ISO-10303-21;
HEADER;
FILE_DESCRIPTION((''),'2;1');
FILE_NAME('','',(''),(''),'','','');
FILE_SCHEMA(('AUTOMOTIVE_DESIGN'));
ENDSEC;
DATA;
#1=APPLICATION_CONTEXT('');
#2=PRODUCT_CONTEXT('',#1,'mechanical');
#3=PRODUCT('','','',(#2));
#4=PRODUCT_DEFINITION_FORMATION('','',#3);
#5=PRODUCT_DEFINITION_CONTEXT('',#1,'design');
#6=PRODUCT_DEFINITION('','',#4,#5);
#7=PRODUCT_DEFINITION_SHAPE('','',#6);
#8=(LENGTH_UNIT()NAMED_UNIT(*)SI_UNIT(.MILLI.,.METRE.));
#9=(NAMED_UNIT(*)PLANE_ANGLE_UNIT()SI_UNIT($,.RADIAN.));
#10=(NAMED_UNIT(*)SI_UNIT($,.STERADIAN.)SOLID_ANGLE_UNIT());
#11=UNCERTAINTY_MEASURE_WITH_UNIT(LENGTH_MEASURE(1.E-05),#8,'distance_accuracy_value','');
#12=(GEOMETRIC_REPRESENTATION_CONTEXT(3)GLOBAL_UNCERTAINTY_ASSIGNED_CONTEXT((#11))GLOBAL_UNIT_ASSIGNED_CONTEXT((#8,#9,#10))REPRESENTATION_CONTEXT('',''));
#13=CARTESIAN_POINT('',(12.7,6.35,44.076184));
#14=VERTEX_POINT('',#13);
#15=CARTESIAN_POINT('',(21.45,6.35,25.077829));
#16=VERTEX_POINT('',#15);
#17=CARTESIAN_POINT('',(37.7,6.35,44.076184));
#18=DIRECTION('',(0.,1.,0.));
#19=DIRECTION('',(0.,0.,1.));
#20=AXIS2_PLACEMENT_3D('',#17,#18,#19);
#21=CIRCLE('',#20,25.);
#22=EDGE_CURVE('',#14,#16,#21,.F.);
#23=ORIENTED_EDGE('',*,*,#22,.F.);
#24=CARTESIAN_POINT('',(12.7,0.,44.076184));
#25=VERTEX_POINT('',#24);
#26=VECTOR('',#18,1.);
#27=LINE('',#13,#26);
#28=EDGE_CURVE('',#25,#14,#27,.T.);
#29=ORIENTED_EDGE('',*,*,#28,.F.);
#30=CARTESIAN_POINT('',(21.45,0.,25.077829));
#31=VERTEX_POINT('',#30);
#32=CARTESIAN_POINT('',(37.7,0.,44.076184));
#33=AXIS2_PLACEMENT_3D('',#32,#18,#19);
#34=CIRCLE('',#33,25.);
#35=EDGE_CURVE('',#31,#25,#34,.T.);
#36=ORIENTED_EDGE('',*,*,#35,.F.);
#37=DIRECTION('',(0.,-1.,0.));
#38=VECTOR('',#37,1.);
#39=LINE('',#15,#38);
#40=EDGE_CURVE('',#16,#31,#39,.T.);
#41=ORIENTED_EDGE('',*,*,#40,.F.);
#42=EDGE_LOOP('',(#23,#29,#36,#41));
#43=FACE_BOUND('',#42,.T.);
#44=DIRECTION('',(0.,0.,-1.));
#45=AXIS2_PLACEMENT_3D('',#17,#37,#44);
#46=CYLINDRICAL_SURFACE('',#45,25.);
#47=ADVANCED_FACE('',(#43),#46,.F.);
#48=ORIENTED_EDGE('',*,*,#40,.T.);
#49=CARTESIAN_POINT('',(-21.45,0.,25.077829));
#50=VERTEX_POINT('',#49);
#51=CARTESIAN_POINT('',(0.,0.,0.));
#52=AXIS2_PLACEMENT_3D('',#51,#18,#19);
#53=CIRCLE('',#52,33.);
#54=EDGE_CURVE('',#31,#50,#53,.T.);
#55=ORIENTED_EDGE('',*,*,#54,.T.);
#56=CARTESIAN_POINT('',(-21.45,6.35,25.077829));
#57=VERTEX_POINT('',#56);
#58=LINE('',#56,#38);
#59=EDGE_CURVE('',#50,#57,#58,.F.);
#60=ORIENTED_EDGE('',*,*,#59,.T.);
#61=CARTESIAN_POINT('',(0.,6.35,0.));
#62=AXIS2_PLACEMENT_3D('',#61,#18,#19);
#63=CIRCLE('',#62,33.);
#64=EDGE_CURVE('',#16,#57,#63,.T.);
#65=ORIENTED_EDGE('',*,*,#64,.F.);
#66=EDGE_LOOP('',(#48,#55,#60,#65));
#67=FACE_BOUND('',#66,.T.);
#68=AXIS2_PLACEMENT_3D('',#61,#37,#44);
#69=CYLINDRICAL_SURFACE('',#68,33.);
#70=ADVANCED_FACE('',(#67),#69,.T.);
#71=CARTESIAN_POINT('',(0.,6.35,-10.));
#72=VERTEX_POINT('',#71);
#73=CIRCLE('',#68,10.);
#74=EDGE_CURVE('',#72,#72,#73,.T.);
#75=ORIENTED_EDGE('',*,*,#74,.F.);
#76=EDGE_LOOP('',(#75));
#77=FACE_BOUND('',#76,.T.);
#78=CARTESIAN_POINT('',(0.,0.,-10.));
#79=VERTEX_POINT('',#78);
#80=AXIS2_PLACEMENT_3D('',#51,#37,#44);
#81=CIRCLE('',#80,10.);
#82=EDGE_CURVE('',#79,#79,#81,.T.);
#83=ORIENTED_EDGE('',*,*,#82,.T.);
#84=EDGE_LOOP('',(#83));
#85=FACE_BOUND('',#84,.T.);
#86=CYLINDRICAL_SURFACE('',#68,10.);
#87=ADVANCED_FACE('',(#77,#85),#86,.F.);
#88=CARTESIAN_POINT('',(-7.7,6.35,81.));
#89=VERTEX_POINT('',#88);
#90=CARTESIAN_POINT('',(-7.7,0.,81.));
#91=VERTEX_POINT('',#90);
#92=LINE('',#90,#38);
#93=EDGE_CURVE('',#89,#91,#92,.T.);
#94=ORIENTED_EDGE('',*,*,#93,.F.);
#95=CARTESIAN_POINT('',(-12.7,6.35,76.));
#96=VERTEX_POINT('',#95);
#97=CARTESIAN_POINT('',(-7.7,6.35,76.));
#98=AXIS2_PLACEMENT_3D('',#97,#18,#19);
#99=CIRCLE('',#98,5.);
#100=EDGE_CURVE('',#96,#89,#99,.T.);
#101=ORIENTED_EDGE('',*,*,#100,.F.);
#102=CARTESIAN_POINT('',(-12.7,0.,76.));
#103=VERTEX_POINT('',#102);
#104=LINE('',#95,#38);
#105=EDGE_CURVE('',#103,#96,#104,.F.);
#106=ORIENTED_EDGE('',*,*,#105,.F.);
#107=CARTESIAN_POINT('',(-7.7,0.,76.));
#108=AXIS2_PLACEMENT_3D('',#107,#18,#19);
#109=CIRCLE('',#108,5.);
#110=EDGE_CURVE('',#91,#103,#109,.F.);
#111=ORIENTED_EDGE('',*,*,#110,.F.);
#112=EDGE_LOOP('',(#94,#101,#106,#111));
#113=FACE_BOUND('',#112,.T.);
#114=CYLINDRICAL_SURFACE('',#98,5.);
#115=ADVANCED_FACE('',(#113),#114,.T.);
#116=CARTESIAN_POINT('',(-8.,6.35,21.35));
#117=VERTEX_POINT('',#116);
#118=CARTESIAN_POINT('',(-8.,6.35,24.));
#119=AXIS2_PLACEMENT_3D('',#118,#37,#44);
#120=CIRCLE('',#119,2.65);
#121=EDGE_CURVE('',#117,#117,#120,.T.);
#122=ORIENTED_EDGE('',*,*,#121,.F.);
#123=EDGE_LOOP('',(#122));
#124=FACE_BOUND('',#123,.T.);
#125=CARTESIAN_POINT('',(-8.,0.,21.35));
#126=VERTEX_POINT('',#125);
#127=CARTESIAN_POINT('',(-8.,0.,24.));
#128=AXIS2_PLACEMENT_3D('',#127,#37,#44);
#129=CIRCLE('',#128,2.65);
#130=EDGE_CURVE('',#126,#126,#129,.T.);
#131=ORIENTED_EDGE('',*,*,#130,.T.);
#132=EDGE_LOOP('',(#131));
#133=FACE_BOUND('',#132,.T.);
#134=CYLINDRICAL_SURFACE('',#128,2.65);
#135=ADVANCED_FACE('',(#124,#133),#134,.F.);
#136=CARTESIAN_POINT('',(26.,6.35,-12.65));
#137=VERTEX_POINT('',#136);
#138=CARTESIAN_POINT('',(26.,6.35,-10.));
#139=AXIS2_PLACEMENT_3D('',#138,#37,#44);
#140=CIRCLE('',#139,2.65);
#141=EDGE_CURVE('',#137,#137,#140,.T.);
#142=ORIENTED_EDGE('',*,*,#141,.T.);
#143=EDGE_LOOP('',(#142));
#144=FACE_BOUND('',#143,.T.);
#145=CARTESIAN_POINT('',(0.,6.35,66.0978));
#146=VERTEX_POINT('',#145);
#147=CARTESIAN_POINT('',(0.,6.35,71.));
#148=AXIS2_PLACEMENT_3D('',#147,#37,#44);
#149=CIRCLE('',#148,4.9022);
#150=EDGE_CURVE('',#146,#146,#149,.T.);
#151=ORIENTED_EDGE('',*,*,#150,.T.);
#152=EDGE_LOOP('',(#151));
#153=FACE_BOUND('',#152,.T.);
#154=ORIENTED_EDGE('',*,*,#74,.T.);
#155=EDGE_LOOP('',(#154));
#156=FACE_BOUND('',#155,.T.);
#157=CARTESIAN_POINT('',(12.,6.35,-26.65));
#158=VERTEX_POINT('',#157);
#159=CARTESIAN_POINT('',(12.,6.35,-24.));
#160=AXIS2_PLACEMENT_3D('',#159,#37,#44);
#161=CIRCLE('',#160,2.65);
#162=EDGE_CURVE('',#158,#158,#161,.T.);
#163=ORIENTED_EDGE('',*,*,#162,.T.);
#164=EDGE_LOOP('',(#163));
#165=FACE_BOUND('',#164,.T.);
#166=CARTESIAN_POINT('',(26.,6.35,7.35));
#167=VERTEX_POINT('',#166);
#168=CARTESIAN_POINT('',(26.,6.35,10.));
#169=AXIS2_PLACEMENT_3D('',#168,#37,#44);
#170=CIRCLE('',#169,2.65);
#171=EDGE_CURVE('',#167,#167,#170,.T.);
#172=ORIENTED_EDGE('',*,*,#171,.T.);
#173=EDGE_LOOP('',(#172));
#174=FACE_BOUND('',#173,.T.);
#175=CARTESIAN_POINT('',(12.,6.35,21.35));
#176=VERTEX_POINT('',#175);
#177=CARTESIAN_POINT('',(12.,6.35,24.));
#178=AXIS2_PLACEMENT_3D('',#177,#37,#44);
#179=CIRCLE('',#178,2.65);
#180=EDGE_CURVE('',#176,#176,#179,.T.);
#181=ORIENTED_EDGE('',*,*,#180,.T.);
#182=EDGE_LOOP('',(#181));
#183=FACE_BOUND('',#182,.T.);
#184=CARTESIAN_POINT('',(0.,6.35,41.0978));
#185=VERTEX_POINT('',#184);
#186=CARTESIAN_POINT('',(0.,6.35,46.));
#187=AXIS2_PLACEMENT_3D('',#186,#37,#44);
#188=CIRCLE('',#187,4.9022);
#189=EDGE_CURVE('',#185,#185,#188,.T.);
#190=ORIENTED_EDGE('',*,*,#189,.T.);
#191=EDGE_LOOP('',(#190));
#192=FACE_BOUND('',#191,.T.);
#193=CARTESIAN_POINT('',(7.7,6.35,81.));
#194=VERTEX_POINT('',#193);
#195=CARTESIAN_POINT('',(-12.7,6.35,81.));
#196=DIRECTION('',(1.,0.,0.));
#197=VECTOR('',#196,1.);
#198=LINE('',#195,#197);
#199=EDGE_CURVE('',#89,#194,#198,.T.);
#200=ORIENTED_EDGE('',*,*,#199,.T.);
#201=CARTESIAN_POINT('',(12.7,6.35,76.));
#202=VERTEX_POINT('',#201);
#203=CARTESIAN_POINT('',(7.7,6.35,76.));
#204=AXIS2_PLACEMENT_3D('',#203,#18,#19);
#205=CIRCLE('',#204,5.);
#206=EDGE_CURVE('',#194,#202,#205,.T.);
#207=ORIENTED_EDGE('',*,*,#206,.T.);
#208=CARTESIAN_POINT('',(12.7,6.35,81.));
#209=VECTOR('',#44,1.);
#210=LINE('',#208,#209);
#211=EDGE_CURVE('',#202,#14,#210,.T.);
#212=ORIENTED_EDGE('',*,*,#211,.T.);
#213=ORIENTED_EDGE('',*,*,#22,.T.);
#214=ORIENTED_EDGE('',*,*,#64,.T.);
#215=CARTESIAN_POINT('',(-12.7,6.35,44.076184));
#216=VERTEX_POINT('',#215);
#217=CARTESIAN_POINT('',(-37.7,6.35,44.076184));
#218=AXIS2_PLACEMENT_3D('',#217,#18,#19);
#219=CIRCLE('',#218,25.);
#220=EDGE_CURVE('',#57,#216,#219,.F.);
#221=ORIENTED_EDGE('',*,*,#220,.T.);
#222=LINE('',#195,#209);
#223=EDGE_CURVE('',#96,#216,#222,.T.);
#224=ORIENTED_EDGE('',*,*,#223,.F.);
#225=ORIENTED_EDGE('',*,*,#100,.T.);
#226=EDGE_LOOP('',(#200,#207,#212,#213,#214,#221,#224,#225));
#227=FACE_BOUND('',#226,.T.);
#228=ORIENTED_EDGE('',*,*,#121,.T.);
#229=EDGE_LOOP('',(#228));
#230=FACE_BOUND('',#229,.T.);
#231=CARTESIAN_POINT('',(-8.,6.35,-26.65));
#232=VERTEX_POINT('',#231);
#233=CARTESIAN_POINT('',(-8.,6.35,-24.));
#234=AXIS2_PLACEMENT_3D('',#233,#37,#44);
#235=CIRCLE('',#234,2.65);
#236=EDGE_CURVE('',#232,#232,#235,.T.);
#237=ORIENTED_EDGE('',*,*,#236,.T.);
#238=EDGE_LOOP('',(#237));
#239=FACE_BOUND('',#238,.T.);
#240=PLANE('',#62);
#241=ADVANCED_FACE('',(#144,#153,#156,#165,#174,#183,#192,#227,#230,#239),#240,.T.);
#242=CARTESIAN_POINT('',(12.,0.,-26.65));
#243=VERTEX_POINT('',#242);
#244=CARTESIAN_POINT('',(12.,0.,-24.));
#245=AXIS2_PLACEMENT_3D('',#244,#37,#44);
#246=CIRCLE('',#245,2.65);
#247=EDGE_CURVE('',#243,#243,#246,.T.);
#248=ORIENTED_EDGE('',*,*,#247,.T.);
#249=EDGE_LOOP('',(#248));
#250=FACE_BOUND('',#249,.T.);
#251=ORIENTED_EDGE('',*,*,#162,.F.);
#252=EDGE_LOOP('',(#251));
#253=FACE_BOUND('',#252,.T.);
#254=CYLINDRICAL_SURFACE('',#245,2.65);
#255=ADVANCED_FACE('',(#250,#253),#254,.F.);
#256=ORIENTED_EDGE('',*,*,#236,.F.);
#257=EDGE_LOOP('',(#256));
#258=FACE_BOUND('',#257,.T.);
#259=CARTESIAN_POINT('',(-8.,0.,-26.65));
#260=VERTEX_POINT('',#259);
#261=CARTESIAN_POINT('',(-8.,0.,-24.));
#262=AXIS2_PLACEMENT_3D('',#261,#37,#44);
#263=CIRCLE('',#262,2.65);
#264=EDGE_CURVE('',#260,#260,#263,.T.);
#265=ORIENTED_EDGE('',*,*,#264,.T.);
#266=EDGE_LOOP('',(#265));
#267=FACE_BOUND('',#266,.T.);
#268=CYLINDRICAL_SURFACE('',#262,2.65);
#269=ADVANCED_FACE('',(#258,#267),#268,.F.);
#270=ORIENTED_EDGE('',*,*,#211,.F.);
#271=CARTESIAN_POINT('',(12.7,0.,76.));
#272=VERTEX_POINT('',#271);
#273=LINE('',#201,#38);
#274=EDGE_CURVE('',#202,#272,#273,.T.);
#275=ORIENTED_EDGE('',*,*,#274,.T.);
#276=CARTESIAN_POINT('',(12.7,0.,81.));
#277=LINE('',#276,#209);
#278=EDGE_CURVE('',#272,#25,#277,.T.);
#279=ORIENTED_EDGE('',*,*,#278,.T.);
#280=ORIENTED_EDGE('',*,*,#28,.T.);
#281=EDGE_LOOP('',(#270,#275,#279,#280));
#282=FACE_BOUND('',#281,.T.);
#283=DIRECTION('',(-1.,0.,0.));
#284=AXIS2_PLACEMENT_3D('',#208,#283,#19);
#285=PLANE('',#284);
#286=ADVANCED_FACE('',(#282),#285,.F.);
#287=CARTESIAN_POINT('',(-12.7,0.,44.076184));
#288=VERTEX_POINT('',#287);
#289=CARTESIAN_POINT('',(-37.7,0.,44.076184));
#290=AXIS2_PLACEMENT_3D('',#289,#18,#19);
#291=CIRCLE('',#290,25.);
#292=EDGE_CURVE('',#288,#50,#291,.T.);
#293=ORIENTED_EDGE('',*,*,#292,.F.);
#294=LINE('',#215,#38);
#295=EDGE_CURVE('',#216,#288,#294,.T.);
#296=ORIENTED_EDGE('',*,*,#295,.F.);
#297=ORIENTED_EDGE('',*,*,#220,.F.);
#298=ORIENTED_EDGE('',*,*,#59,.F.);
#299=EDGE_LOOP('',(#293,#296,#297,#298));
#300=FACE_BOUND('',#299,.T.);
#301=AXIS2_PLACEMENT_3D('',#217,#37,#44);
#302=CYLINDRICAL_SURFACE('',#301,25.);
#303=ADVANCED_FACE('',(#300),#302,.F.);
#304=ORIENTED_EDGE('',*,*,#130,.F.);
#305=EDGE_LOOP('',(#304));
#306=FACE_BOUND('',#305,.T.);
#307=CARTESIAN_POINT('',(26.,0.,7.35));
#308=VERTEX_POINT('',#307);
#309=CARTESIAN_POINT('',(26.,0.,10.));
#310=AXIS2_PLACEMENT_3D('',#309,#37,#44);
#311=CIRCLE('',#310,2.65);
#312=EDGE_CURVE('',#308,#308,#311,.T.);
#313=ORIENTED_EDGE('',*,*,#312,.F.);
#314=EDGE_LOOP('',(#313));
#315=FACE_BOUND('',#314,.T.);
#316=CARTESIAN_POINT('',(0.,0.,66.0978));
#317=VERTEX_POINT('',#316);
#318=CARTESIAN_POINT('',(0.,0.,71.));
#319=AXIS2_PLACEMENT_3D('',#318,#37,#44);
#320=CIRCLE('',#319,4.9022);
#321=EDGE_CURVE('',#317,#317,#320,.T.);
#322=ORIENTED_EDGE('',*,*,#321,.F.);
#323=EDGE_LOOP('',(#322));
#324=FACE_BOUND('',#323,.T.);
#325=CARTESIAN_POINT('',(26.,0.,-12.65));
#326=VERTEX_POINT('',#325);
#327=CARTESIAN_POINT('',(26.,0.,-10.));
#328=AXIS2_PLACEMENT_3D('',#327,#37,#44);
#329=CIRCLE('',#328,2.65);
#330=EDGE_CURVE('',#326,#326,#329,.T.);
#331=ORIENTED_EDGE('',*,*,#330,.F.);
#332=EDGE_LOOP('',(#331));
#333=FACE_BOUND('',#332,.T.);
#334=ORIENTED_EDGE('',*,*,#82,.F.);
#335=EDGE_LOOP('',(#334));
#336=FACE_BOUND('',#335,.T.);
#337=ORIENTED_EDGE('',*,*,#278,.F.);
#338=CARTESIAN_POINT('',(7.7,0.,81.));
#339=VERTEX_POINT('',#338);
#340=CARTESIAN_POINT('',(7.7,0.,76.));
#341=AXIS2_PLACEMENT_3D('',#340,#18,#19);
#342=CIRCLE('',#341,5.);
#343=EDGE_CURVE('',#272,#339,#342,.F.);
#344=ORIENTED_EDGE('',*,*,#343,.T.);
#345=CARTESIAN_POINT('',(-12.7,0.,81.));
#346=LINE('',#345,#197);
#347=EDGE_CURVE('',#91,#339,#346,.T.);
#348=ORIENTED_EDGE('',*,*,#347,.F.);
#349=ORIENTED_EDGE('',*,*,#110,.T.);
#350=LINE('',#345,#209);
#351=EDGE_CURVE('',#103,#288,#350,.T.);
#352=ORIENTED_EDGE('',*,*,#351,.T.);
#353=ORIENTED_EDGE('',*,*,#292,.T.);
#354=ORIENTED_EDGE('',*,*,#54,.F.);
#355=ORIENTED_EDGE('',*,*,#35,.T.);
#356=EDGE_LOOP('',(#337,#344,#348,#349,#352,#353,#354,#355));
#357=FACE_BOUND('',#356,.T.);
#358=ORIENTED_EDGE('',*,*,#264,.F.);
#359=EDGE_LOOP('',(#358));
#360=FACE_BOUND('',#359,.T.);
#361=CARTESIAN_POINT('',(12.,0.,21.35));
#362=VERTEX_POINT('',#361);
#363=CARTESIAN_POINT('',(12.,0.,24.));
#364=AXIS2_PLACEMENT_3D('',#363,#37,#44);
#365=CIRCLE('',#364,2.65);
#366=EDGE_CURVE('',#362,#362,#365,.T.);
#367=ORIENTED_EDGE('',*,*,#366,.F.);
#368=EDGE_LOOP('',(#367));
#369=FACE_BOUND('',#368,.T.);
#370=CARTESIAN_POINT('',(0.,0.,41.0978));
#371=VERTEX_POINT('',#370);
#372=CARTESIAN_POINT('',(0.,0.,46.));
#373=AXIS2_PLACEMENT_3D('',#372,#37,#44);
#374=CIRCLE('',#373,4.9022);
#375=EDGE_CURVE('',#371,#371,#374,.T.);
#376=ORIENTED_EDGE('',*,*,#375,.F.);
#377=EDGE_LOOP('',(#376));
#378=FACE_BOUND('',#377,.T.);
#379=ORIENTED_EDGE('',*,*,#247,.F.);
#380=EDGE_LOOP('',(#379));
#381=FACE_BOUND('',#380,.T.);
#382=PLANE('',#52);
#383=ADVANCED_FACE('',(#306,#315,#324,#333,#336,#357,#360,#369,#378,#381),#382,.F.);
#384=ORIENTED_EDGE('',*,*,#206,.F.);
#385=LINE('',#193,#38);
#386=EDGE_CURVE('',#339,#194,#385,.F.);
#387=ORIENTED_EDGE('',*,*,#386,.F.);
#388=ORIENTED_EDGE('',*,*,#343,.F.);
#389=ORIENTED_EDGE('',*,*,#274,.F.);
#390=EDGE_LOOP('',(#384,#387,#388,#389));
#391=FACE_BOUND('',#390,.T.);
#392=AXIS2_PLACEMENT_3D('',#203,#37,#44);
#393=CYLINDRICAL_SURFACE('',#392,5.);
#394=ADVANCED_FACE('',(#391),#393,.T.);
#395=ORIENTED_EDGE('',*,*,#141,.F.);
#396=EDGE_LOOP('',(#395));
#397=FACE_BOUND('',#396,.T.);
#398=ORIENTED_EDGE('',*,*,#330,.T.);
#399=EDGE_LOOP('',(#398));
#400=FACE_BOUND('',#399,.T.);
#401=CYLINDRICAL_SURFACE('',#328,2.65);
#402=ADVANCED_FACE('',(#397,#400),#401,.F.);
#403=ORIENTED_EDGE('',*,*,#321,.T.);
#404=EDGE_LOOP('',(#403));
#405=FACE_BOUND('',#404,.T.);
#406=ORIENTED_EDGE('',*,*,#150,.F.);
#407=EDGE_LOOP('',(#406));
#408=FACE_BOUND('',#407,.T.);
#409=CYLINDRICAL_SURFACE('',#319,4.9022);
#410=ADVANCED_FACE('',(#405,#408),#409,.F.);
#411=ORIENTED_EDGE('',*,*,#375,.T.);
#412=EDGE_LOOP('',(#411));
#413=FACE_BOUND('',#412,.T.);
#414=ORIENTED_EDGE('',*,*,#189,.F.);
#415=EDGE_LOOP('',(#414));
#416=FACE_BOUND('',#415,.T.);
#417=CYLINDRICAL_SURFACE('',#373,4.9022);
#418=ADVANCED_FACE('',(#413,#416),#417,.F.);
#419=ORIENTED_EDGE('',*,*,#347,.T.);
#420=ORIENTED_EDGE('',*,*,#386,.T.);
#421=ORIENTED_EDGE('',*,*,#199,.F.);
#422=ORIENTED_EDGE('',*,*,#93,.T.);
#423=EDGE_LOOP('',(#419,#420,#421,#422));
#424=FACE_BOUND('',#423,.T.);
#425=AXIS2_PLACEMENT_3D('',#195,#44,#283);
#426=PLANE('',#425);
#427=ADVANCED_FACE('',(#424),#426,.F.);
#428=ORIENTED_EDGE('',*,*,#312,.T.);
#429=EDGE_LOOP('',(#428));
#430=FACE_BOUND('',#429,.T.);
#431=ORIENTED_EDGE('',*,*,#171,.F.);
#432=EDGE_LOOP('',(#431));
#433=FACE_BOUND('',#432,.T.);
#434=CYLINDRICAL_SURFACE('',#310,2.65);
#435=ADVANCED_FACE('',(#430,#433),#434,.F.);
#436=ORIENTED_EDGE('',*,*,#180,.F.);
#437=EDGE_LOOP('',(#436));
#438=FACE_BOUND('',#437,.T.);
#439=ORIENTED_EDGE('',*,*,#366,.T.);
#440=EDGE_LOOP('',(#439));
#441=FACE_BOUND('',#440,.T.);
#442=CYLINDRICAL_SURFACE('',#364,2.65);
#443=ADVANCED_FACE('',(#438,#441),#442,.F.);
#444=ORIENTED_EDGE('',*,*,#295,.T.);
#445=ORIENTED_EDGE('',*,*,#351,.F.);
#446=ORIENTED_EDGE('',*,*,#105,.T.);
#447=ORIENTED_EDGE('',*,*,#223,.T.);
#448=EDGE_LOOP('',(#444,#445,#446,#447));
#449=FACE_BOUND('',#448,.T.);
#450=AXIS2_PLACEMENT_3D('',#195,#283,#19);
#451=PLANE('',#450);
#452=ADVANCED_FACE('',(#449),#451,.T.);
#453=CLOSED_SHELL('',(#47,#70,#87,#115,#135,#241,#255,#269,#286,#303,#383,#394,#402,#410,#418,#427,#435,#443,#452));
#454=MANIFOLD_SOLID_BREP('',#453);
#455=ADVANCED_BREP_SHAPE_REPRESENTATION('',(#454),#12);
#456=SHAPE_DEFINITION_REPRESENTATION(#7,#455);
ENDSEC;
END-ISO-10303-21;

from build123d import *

# Parameters (mm, degrees)
BOSS_EXTRUDE1_DEPTH     = 6.35
SKETCH5_R               = 10
CUT_EXTRUDE1_DEPTH      = 88.694483863
F_3_8_CLEARANCE_HOLE1_D = 9.8044
FILLET1_R               = 25
M5_CLEARANCE_HOLE1_D    = 5.3
FILLET2_R               = 5


with BuildPart() as part:
    # Sketch1 → Boss-Extrude1 (new body)
    with BuildSketch(Plane(origin=(0, 0, 0), x_dir=(1, 0, 0), z_dir=(0, 1, 0))):
        with BuildLine():
            Line((-12.7, -81), (12.7, -81))
            Line((12.7, -81), (12.7, -30.458332193))
            ThreePointArc((12.7, -30.458332193), (0, 33), (-12.7, -30.458332193))
            Line((-12.7, -30.458332193), (-12.7, -81))
        make_face()
    extrude(amount=BOSS_EXTRUDE1_DEPTH)

    # Sketch5 → Cut-Extrude1 (cut, through all)
    with BuildSketch(Plane.XZ):
        with Locations(Location((0, 0, 0), (0, 0, 270))):
            Circle(SKETCH5_R)
    extrude(amount=-CUT_EXTRUDE1_DEPTH, mode=Mode.SUBTRACT)

    # 3/8 Clearance Hole1 (through all)
    with Locations(Plane(origin=(0, 0, 0), x_dir=(-1, 0, 0), z_dir=(0, -1, 0))):
        with Locations((0, -46), (0, -71)):
            Hole(F_3_8_CLEARANCE_HOLE1_D / 2)

    # Fillet1
    fillet1_edges = [part.edges().sort_by_distance(p)[0] for p in [
        (-12.7, 3.175, 30.458332193),
        (12.7, 3.175, 30.458332193),
    ]]
    fillet(fillet1_edges, radius=FILLET1_R)

    # M5 Clearance Hole1 (through all)
    with Locations(Plane(origin=(0, 0, 0), x_dir=(-1, 0, 0), z_dir=(0, -1, 0))):
        with Locations((8, 24), (-12, 24), (-26, 10), (-26, -10), (-12, -24), (8, -24)):
            Hole(M5_CLEARANCE_HOLE1_D / 2)

    # Fillet2
    fillet2_edges = [part.edges().sort_by_distance(p)[0] for p in [
        (12.7, 3.175, 81),
        (-12.7, 3.175, 81),
    ]]
    fillet(fillet2_edges, radius=FILLET2_R)


solid = part.part
